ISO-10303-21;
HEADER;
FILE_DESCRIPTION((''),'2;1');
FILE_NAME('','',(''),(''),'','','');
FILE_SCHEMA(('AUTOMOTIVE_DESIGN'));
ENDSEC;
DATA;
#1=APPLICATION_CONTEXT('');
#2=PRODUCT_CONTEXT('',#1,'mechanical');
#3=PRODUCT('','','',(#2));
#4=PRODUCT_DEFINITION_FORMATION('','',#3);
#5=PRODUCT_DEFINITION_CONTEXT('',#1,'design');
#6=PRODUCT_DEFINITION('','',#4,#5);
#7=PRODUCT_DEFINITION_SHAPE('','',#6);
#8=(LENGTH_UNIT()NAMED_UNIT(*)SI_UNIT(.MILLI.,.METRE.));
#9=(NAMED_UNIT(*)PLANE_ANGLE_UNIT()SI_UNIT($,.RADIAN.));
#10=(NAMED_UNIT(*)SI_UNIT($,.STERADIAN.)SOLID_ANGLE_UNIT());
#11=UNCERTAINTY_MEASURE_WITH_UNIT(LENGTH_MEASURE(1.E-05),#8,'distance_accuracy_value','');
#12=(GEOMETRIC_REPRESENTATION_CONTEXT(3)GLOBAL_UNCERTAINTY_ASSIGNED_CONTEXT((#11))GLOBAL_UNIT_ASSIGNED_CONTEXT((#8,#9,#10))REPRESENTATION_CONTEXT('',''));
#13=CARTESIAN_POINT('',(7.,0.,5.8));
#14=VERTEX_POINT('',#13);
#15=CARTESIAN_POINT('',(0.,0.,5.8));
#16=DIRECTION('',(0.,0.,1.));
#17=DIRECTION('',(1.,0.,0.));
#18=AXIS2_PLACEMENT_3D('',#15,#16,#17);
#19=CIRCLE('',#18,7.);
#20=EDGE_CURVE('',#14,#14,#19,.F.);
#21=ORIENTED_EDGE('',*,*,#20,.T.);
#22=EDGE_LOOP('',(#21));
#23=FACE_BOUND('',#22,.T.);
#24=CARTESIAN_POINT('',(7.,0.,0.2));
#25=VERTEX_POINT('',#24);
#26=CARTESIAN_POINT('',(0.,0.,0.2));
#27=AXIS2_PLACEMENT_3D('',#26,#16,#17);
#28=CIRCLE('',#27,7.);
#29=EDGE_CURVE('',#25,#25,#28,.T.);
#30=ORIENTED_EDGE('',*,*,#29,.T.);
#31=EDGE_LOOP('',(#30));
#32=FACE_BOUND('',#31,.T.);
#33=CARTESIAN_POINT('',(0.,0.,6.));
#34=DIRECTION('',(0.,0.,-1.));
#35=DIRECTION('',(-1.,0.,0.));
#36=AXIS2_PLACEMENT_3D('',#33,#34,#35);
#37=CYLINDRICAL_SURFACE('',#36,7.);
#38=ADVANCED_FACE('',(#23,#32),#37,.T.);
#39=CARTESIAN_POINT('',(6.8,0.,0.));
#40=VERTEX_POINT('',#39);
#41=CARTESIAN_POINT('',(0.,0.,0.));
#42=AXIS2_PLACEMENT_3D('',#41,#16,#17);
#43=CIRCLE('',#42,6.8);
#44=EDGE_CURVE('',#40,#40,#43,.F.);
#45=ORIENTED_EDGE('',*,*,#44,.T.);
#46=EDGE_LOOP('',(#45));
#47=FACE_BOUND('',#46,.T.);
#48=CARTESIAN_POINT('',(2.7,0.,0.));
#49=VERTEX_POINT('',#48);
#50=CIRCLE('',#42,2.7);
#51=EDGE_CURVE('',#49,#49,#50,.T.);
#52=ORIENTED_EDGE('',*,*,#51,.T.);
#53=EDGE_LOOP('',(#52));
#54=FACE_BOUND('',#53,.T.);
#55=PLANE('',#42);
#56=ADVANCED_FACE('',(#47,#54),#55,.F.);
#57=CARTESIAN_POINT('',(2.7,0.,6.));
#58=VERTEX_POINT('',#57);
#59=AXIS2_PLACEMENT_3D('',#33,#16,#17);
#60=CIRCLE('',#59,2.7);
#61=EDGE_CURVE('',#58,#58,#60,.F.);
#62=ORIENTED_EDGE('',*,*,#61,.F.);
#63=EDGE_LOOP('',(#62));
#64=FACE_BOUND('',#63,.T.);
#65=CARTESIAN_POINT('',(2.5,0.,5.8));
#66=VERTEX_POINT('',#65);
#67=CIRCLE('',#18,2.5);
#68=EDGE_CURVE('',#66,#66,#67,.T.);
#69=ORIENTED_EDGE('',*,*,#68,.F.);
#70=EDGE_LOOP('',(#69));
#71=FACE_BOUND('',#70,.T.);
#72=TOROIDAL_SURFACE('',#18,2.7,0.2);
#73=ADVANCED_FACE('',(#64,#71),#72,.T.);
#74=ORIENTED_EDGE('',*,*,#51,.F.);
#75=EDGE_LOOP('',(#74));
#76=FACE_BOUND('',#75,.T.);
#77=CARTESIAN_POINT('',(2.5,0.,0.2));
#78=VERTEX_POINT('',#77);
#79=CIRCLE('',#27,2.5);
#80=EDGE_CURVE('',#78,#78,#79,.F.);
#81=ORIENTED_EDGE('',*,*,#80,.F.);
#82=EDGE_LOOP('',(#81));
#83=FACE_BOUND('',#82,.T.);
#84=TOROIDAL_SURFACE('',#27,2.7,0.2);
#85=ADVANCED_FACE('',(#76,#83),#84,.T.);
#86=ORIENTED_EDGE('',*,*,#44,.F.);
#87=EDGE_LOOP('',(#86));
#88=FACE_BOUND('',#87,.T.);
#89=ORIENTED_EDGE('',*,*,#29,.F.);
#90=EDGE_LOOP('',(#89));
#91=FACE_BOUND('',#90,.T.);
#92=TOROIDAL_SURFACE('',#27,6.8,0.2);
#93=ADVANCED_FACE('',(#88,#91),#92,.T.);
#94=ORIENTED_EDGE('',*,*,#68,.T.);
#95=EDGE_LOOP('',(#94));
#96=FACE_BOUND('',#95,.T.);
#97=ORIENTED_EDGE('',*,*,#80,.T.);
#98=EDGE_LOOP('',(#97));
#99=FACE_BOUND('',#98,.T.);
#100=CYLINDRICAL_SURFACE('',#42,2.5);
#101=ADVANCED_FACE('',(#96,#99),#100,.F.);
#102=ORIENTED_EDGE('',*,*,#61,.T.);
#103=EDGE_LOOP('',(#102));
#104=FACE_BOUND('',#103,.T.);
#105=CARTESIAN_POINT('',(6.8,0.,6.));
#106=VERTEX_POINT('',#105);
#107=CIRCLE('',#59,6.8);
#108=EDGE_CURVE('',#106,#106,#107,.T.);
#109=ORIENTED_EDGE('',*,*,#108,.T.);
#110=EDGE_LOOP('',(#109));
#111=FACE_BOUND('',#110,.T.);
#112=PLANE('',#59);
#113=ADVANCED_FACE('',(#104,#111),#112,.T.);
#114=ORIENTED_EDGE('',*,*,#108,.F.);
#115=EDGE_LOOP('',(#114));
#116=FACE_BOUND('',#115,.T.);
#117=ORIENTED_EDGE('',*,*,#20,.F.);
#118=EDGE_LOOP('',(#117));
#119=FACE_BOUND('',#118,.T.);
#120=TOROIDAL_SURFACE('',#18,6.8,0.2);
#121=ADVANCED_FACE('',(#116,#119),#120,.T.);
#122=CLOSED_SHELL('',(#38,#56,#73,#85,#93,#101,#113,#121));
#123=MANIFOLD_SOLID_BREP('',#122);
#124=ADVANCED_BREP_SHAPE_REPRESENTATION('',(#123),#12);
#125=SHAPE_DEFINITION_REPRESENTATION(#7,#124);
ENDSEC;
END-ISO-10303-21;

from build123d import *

# Parameters (mm, degrees)
SKETCH_1_R          = 7
EXTRUDE_1_DEPTH     = 6
SKETCH_2_R          = 2.5
CUT_EXTRUDE_1_DEPTH = 12.575836903
FILLET_1_R          = 0.2


with BuildPart() as part:
    # 草图1 → 凸台-拉伸1 (new body)
    with BuildSketch(Plane.XY):
        Circle(SKETCH_1_R)
    extrude(amount=EXTRUDE_1_DEPTH)

    # 草图2 → 切除-拉伸1 (cut, through all)
    with BuildSketch(Plane.XY.offset(6)):
        Circle(SKETCH_2_R)
    extrude(amount=-CUT_EXTRUDE_1_DEPTH, mode=Mode.SUBTRACT)

    # 圆角1
    fillet_1_edges = [part.edges().sort_by_distance(p)[0] for p in [
        (-7, 0, 0),
        (-7, 0, 6),
        (-2.5, 0, 0),
        (-2.5, 0, 6),
    ]]
    fillet(fillet_1_edges, radius=FILLET_1_R)


solid = part.part
